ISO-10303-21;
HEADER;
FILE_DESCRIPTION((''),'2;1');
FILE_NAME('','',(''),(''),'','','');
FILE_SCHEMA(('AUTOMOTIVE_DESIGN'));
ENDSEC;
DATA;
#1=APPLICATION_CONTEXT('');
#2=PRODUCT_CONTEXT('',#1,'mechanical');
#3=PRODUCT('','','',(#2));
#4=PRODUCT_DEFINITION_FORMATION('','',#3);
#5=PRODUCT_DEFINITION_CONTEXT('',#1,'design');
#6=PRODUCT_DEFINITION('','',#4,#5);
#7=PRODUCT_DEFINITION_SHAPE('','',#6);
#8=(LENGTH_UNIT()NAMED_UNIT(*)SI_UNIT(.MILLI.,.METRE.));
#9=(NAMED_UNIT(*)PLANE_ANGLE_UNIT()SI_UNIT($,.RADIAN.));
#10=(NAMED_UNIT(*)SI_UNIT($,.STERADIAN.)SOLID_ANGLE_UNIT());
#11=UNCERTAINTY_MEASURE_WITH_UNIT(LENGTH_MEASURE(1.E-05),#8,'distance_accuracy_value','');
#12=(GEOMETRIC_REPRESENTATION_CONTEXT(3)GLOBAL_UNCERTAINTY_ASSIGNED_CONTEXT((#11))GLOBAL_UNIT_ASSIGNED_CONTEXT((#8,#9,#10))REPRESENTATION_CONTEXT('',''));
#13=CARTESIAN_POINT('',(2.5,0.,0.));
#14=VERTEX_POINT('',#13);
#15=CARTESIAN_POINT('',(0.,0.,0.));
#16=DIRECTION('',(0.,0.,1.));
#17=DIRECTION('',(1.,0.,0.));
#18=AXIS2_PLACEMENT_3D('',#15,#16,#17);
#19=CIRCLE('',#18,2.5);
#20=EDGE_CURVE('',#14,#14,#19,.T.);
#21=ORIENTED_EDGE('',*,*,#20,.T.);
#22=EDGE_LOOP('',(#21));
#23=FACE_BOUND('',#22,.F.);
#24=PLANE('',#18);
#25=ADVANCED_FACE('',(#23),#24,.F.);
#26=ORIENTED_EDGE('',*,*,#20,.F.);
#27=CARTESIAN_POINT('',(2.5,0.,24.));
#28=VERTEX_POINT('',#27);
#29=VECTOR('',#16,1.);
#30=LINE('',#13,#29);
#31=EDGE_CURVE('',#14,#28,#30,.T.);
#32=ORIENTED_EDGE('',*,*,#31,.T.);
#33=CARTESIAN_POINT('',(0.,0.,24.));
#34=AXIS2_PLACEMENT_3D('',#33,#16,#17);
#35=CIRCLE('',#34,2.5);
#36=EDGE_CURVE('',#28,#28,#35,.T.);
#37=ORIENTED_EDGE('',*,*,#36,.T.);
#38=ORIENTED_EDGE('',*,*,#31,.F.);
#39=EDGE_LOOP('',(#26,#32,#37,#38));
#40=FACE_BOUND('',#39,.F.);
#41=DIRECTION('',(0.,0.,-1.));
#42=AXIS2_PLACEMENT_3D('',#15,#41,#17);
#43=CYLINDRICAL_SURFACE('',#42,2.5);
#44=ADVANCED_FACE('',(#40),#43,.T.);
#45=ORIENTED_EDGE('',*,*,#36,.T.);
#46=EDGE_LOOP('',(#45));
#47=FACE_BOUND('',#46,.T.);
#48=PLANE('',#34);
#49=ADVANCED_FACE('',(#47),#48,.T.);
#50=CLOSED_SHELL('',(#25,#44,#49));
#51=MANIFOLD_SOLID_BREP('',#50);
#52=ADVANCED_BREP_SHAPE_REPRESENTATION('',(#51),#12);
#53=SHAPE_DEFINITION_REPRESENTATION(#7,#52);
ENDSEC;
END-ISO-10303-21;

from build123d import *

# Parameters (mm, degrees)
SKETCH_1_R      = 2.5
EXTRUDE_1_DEPTH = 24


with BuildPart() as part:
    # 草图1 → 凸台-拉伸1 (new body)
    with BuildSketch(Plane.XY):
        Circle(SKETCH_1_R)
    extrude(amount=EXTRUDE_1_DEPTH)


solid = part.part
